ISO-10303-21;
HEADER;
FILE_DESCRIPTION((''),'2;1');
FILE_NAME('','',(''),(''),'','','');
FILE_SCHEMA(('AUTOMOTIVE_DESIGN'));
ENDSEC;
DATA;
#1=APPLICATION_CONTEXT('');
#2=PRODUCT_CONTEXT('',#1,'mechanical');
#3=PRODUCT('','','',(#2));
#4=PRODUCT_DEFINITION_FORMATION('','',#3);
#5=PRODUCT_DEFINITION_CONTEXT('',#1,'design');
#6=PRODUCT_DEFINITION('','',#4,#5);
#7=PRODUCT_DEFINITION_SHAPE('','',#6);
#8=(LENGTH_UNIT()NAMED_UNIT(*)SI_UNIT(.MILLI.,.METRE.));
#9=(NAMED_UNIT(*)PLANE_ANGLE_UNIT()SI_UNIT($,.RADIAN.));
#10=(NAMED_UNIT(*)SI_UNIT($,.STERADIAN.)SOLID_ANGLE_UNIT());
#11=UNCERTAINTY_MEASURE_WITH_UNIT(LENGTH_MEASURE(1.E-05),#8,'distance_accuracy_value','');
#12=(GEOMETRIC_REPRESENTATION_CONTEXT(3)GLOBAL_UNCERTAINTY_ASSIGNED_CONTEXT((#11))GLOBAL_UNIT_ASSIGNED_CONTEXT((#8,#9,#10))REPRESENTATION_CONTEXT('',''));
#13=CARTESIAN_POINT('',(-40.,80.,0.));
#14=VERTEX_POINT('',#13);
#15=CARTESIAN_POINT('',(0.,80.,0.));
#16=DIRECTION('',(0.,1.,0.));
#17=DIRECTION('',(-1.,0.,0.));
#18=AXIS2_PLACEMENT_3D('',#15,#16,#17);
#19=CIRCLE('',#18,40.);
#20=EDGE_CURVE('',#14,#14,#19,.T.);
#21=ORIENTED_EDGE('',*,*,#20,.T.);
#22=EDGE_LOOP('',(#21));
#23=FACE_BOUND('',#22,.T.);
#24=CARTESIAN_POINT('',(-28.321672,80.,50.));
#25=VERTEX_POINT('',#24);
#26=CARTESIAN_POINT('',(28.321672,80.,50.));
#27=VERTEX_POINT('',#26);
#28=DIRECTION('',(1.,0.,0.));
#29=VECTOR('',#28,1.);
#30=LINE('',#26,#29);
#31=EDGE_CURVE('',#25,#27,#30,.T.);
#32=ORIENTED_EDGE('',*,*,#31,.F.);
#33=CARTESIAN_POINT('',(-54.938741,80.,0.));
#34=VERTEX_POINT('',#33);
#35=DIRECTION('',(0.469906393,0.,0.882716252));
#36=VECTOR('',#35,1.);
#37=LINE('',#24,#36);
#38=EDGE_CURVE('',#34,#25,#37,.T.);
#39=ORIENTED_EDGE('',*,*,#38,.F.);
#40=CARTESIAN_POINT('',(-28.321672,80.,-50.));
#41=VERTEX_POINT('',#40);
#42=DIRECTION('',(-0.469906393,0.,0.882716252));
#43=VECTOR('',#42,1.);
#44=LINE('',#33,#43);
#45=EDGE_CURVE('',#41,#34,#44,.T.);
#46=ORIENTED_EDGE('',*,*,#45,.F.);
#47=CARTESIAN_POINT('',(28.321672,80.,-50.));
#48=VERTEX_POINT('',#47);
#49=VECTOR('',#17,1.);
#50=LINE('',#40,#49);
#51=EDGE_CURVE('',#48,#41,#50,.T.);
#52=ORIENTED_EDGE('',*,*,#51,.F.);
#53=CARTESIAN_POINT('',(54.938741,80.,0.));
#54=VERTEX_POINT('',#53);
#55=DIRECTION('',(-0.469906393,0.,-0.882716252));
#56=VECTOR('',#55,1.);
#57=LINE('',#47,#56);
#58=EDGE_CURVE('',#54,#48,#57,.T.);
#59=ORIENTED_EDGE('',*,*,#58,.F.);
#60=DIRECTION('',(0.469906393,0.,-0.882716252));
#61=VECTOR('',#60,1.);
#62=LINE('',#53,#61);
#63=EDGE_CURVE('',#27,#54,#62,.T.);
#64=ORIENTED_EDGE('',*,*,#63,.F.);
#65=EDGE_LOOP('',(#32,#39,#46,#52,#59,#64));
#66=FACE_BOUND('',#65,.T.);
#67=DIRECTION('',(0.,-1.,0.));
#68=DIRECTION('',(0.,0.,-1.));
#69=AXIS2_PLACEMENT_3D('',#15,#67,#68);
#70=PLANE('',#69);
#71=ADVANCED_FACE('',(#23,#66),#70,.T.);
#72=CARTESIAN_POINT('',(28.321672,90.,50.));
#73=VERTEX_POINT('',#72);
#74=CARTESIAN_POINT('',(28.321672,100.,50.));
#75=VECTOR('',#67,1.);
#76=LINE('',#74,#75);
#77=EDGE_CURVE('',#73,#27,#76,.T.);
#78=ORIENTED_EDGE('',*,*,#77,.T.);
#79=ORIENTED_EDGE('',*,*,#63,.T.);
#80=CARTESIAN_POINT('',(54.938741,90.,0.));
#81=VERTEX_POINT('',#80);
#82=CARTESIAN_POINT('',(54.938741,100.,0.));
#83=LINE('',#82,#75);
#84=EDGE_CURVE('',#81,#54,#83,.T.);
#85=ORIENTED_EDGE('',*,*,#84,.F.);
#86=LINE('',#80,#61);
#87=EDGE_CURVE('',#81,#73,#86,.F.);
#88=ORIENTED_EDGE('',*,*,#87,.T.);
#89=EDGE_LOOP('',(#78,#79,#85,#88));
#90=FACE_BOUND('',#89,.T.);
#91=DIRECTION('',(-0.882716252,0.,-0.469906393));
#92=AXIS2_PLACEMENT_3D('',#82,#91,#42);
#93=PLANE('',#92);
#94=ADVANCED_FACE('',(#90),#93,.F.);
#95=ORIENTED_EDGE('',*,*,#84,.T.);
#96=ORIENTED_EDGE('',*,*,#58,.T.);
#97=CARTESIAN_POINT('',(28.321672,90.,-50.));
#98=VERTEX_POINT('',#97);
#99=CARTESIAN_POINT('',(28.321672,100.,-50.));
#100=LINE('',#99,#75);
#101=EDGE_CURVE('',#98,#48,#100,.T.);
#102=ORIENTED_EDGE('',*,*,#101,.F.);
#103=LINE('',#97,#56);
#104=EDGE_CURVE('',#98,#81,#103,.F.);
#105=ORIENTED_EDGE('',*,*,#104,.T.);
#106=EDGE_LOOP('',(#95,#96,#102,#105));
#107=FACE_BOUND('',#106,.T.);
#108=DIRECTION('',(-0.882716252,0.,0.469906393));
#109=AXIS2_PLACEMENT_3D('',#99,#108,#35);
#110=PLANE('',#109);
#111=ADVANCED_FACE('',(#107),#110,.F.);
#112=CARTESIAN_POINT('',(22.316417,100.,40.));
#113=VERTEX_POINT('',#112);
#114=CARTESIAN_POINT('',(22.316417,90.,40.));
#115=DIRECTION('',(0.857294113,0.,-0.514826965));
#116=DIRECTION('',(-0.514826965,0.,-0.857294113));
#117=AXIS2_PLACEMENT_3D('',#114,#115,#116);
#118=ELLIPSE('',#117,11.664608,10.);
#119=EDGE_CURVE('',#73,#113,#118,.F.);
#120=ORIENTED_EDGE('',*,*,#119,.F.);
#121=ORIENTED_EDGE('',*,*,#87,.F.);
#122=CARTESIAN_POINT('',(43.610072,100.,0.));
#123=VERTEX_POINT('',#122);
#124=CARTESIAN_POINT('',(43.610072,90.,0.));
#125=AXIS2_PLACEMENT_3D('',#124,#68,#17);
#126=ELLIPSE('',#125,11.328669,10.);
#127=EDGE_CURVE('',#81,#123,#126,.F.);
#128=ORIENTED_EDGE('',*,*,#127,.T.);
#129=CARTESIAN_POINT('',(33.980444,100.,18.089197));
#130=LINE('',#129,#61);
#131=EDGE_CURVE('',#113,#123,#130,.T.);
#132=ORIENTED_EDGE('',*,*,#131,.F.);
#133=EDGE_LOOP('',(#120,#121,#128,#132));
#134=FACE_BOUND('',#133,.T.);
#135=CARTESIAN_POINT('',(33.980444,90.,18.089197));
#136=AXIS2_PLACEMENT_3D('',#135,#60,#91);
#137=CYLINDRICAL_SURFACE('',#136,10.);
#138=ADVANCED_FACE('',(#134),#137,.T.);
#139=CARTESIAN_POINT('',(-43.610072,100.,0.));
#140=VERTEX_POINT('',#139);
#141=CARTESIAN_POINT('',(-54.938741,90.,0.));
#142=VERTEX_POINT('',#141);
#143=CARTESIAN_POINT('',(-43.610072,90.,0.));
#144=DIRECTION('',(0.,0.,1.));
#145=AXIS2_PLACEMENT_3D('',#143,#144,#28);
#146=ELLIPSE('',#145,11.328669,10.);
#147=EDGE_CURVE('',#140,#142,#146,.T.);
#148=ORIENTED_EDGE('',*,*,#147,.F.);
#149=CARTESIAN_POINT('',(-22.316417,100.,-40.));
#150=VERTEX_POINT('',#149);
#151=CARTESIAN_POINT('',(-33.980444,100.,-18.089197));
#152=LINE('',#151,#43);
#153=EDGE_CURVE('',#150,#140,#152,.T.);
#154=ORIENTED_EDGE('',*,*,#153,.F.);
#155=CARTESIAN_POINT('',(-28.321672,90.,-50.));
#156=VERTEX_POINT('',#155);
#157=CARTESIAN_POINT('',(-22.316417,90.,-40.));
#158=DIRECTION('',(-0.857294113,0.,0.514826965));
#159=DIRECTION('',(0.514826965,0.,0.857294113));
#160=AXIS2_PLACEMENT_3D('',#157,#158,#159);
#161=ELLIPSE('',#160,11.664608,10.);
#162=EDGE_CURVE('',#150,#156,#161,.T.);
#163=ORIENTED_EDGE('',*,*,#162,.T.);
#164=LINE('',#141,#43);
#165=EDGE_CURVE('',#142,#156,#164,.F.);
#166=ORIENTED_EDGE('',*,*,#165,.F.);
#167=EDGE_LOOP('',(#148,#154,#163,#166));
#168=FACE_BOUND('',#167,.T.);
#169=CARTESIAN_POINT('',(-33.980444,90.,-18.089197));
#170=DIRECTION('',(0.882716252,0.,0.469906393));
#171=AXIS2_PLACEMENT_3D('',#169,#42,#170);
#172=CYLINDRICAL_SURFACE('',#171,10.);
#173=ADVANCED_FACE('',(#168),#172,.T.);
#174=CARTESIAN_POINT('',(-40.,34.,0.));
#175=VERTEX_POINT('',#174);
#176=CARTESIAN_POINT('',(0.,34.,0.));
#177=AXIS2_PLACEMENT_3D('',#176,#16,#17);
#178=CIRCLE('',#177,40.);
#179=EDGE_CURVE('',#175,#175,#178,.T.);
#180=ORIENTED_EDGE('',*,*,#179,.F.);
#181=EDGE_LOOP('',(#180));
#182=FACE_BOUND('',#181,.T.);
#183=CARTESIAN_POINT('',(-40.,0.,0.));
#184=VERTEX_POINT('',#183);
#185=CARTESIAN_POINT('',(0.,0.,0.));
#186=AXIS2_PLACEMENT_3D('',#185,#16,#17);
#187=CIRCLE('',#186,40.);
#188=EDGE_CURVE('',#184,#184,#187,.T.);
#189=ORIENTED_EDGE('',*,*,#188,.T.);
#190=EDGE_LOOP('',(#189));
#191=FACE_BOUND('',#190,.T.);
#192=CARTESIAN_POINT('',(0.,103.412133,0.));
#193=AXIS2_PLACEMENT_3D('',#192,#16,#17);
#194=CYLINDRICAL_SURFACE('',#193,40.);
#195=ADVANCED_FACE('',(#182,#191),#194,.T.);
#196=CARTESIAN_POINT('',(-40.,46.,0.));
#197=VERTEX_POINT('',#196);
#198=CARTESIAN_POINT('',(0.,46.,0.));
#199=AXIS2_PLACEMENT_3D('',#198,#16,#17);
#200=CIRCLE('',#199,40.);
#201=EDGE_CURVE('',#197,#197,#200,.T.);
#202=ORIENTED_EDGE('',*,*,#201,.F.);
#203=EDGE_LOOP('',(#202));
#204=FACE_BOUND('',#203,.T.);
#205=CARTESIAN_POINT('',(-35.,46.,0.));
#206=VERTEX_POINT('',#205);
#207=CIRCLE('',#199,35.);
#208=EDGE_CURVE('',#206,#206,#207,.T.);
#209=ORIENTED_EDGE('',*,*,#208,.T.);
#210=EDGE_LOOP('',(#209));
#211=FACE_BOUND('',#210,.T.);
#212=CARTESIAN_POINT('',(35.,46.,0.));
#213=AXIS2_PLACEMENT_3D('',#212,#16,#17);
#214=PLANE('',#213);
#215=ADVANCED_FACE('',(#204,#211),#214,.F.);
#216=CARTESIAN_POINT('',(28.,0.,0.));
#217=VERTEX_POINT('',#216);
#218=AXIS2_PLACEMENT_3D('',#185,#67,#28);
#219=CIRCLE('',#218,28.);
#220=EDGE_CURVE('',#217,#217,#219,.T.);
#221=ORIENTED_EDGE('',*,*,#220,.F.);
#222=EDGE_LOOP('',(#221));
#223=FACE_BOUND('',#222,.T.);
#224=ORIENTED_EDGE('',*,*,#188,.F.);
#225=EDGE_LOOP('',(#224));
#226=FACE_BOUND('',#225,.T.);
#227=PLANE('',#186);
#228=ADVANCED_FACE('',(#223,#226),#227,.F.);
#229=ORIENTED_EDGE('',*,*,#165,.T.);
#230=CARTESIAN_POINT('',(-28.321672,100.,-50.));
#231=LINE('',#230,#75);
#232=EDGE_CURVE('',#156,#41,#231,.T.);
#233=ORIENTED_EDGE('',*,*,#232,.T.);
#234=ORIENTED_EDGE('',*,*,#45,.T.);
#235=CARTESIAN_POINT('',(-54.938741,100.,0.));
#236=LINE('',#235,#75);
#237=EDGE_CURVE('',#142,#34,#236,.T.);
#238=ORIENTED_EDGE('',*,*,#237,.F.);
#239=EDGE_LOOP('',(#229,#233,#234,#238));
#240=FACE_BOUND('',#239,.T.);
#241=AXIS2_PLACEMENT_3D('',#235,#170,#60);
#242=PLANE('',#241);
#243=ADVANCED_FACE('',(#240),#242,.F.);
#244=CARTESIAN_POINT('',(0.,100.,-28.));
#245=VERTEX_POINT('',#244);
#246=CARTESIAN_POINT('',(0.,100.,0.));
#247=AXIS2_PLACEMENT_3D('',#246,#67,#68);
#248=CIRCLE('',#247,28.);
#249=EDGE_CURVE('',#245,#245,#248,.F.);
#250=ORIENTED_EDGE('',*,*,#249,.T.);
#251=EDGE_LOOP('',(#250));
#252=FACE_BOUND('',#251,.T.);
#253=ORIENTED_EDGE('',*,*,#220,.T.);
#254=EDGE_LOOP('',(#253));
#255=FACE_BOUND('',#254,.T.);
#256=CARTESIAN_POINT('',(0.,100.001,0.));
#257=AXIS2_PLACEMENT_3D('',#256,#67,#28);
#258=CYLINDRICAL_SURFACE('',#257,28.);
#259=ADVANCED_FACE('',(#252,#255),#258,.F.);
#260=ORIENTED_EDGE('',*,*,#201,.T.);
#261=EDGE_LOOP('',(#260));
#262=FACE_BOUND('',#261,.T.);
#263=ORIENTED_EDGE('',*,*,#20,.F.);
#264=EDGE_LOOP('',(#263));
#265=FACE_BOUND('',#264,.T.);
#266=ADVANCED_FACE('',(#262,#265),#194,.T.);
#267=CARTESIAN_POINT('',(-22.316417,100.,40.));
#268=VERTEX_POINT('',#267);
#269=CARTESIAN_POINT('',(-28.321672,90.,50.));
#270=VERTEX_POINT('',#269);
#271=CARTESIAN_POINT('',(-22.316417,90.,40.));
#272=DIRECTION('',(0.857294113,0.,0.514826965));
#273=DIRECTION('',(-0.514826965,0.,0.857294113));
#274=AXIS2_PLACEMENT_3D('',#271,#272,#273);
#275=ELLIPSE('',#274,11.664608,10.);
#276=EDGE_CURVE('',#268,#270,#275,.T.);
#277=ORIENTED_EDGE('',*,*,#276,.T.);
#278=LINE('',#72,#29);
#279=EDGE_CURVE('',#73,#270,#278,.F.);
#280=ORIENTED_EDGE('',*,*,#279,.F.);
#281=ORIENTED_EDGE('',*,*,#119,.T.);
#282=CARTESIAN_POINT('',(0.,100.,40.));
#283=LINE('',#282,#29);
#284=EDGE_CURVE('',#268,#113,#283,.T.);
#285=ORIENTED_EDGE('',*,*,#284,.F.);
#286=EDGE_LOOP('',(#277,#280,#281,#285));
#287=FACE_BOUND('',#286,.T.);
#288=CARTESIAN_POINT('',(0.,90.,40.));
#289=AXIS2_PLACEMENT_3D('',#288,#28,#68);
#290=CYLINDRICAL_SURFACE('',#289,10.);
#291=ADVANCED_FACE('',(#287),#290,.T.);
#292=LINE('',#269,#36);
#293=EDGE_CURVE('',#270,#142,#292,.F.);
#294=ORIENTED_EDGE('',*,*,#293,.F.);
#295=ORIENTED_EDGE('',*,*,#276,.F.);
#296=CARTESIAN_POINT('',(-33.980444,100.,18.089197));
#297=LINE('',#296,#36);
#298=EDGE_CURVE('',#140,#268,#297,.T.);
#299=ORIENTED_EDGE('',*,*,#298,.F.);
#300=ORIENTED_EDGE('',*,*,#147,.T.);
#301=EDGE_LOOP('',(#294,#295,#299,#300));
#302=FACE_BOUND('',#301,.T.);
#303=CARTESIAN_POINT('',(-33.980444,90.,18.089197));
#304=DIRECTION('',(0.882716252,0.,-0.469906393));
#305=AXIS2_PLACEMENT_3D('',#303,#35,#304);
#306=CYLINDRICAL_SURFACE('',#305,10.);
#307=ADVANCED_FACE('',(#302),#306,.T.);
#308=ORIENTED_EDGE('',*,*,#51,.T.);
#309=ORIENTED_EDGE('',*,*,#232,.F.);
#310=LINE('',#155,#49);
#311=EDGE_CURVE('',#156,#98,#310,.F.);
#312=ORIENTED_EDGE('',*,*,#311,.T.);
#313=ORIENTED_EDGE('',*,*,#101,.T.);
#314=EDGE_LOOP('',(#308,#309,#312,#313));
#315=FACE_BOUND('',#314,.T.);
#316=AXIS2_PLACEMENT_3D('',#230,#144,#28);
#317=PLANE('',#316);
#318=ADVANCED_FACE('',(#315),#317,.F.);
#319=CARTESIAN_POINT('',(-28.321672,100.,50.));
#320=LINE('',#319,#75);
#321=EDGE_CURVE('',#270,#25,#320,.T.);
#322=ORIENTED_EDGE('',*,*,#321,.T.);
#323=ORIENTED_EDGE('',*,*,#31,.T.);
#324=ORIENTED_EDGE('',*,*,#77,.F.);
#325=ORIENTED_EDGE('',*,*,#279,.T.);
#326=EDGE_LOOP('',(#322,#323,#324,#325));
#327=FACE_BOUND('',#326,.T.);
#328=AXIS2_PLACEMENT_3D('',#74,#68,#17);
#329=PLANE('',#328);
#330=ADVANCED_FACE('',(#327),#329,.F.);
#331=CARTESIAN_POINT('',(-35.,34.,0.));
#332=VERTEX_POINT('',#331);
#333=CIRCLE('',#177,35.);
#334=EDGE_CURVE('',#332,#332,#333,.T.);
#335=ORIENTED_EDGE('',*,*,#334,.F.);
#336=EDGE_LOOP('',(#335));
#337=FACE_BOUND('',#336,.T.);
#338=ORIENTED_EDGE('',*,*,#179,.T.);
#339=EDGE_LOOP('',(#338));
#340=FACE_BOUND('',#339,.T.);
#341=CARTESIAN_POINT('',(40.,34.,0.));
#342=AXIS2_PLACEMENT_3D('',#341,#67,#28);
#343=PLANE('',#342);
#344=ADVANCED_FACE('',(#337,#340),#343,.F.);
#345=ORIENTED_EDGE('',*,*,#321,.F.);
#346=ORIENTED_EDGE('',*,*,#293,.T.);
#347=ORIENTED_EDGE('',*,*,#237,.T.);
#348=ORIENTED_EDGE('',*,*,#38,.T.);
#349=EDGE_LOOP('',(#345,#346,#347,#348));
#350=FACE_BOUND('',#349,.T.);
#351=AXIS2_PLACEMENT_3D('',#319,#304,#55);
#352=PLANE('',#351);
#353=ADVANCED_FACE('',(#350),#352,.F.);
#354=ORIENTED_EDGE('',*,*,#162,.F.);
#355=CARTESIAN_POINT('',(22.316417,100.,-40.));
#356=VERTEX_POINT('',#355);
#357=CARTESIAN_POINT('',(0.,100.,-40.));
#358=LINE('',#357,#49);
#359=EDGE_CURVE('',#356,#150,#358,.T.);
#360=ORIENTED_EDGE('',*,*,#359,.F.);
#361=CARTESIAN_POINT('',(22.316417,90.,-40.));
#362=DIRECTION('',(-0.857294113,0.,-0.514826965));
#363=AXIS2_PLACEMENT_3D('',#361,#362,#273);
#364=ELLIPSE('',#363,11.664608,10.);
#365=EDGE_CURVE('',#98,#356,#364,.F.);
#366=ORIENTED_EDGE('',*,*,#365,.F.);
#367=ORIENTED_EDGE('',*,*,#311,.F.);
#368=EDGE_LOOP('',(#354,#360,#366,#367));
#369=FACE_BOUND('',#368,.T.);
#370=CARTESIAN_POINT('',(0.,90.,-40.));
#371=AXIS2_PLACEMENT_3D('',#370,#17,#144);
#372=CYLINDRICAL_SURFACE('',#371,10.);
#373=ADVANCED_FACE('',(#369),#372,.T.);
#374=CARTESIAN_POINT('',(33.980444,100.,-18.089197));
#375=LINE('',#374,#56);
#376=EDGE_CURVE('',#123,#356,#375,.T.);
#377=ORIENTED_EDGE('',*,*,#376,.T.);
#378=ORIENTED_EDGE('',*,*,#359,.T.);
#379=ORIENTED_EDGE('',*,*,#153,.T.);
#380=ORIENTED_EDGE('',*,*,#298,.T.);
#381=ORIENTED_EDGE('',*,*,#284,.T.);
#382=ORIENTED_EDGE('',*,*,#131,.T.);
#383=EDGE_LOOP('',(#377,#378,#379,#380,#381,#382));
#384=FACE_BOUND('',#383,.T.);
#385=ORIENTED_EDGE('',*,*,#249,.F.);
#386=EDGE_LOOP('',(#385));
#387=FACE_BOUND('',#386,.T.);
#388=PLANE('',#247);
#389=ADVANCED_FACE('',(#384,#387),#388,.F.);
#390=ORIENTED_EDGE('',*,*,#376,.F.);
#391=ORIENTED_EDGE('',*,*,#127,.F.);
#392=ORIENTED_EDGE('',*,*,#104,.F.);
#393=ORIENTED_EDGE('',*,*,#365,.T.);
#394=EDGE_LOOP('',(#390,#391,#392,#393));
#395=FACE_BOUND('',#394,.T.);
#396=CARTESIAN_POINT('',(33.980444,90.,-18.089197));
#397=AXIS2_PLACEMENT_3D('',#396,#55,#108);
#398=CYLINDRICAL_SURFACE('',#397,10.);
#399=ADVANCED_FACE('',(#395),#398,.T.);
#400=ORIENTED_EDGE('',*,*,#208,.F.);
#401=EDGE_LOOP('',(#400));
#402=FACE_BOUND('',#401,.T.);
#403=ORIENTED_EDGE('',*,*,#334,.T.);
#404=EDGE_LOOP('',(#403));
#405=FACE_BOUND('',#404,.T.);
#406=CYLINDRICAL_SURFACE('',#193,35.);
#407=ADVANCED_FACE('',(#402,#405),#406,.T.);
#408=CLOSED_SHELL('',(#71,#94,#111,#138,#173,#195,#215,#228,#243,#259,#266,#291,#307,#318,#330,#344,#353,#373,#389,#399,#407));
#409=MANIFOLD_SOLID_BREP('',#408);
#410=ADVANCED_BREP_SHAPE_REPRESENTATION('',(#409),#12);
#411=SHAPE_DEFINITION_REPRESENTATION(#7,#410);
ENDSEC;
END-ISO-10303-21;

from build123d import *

# Parameters (mm, degrees)
BOSS_EXTRUDE1_DEPTH = 20
FILLET1_R           = 10
CUT_EXTRUDE1_REACH  = 102
SKETCH5_R           = 28


with BuildPart() as part:
    # Sketch1 → Revolve1 (revolve)
    with BuildSketch(Plane.XY):
        Polygon((0, 0), (40, 0), (40, 34), (35, 34), (35, 46), (40, 46), (40, 80), (0, 80), align=None)
    revolve(axis=Axis((0, 103.412132622, 0), (0, -1, 0)))

    # Sketch2 → Boss-Extrude1 (add)
    with BuildSketch(Plane(origin=(0, 80, 0), x_dir=(1, 0, 0), z_dir=(0, 1, 0))):
        Polygon((-28.321671813, 50), (28.321671813, 50), (54.938741093, 0), (28.321671813, -50), (-28.321671813, -50), (-54.938741093, 0), align=None)
    extrude(amount=BOSS_EXTRUDE1_DEPTH)

    # Fillet1
    fillet1_edges = [part.edges().sort_by_distance(p)[0] for p in [
        (-41.630206453, 100, -25),
        (-41.630206453, 100, 25),
        (0, 100, 50),
        (41.630206453, 100, 25),
        (41.630206453, 100, -25),
        (0, 100, -50),
    ]]
    fillet(fillet1_edges, radius=FILLET1_R)

    # Sketch5 → Cut-Extrude1 (cut, up to next)
    with BuildSketch(Plane.XZ, mode=Mode.PRIVATE) as cut_extrude1_sk1:
        Circle(SKETCH5_R)
    cut_extrude1_tool1 = extrude(cut_extrude1_sk1.sketch, amount=-CUT_EXTRUDE1_REACH, mode=Mode.PRIVATE) & part.part
    add(cut_extrude1_tool1.solids().sort_by_distance((0, 0, 0))[0], mode=Mode.SUBTRACT)


solid = part.part
